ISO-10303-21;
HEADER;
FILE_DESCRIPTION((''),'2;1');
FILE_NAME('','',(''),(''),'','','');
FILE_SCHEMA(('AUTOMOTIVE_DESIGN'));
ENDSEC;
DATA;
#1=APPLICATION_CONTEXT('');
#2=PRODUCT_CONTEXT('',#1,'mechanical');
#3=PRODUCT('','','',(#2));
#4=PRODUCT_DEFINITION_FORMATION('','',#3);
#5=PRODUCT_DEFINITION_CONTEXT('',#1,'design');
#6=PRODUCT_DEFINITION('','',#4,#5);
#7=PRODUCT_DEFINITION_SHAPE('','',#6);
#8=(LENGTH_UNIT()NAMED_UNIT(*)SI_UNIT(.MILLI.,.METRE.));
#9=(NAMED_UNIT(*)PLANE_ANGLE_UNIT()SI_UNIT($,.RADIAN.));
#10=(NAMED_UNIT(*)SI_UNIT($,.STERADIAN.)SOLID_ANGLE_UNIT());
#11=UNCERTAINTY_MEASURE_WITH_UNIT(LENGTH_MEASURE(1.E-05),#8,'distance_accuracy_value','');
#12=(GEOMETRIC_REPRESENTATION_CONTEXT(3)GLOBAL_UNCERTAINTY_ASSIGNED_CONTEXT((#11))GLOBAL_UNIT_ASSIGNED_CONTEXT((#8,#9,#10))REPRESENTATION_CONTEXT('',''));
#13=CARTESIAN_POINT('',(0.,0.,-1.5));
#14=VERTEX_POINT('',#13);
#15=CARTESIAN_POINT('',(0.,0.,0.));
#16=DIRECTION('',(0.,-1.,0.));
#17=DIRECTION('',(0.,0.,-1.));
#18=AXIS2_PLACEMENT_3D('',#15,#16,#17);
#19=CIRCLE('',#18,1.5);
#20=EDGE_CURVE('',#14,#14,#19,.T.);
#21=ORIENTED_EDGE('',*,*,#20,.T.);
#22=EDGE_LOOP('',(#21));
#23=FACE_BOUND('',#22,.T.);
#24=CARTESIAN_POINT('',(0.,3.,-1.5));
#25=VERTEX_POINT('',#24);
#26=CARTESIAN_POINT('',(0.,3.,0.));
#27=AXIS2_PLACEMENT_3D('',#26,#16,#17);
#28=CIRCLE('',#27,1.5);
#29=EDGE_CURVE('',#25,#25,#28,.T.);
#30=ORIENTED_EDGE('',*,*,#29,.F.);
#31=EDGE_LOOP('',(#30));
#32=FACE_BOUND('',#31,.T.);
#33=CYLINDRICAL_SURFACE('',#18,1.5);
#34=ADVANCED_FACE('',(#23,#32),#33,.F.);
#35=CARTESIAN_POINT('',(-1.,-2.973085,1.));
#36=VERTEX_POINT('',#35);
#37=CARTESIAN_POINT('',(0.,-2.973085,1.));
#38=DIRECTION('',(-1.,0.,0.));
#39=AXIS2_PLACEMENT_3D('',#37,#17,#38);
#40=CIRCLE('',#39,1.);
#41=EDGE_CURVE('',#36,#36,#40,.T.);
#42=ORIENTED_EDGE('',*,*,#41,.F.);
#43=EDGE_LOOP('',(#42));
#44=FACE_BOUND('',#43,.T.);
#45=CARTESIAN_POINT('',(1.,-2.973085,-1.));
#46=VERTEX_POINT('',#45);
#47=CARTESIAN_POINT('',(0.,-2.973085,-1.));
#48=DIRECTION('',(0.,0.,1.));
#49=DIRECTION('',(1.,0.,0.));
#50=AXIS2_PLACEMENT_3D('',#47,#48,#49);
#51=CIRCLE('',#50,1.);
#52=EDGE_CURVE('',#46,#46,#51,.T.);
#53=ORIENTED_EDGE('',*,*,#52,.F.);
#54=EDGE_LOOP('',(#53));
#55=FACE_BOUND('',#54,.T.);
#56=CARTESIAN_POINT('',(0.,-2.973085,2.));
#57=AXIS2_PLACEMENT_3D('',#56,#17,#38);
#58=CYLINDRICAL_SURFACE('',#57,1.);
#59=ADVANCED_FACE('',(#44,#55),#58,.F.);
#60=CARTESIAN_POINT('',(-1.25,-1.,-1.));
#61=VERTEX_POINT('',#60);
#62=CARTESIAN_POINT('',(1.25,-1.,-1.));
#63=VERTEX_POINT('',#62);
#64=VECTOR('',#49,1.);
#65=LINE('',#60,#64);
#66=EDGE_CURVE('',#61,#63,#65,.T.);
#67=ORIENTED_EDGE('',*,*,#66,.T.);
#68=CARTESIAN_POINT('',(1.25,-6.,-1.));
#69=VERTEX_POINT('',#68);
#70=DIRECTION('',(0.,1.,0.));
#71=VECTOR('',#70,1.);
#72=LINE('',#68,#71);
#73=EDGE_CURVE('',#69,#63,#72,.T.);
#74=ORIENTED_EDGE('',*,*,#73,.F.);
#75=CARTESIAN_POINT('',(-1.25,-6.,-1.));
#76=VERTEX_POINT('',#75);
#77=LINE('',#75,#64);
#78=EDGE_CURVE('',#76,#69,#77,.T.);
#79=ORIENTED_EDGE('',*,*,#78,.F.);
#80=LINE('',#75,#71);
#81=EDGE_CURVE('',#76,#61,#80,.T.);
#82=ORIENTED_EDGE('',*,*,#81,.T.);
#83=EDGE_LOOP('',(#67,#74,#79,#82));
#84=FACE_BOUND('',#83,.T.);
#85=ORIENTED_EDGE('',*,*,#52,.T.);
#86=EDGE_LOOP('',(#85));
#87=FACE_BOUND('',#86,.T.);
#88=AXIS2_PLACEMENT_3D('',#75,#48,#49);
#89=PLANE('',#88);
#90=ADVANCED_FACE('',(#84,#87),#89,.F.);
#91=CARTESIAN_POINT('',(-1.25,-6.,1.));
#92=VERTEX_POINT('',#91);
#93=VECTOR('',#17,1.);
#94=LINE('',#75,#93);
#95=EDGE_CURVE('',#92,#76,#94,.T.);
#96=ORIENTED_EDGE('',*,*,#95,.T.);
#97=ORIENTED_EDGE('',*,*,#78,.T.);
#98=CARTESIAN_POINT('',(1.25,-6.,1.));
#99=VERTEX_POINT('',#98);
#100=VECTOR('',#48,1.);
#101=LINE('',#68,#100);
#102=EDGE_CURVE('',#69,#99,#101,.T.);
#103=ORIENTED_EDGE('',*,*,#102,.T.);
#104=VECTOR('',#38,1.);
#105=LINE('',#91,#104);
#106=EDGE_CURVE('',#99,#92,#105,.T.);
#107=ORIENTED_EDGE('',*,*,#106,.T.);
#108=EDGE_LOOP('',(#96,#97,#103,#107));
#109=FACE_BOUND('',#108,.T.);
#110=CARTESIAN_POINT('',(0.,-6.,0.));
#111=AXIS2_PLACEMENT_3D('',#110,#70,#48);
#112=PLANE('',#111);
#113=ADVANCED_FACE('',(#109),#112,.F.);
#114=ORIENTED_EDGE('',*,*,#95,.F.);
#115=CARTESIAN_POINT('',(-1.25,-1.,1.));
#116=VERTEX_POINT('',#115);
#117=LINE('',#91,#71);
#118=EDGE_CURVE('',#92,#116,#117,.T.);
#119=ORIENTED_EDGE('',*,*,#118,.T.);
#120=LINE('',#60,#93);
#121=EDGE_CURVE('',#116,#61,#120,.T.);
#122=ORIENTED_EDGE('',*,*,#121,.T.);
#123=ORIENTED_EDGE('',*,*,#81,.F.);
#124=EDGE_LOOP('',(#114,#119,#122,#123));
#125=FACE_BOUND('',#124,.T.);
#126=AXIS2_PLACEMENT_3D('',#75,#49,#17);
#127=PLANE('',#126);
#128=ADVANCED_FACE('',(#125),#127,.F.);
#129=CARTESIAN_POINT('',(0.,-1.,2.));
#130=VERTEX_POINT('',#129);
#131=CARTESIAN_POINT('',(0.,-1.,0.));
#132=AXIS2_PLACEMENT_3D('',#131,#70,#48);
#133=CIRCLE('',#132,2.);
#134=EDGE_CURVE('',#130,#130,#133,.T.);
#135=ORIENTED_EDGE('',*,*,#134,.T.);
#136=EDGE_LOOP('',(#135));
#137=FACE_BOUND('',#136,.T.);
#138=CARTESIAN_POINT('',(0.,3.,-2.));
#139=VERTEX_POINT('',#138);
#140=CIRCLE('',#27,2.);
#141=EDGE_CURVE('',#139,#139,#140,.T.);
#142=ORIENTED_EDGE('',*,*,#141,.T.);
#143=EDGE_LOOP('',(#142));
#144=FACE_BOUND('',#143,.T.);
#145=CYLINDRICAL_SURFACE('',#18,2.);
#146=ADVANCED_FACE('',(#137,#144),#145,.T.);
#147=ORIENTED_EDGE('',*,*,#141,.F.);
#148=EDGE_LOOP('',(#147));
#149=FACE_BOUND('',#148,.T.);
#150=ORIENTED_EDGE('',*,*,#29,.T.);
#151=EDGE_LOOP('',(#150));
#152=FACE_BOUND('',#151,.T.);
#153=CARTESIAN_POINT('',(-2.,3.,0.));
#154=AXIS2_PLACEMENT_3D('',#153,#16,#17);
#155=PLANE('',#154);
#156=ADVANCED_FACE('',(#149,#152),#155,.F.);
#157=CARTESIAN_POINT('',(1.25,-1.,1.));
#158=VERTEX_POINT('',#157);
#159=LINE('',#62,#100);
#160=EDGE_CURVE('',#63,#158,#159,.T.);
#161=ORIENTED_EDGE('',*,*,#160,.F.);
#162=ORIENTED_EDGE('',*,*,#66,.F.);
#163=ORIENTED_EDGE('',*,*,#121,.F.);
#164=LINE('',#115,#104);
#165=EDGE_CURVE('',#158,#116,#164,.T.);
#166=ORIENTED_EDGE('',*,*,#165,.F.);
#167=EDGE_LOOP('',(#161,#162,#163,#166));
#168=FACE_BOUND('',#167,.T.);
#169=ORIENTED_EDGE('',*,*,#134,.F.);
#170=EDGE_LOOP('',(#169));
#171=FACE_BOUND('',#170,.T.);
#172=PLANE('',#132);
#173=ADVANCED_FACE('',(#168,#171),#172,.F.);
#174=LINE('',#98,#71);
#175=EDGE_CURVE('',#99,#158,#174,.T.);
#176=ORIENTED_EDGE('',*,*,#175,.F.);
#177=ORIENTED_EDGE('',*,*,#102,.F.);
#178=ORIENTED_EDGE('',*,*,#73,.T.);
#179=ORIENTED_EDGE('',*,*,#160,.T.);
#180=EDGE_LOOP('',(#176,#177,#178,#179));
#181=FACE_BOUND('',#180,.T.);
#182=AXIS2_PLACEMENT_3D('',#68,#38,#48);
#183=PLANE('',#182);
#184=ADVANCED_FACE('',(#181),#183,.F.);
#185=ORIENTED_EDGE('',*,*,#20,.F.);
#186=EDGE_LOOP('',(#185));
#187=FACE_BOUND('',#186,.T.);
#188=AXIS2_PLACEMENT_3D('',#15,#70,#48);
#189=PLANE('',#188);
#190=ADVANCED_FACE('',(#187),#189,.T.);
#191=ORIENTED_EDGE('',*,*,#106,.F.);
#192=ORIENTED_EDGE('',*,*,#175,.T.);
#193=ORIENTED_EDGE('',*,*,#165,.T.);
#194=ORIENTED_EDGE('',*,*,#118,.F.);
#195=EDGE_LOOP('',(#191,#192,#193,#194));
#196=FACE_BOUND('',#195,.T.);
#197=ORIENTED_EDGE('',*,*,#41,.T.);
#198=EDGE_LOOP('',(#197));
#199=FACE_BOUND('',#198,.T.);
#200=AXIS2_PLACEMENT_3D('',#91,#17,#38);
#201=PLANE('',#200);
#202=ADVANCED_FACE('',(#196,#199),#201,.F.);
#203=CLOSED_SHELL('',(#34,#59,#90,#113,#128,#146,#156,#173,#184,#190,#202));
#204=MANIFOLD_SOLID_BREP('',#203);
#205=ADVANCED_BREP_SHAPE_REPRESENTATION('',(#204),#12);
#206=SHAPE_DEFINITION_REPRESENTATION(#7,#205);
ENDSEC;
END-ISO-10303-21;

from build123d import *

# Parameters (mm, degrees)
SKETCH1_W               = 0.5
SKETCH1_H               = 3
SKETCH2_R               = 2
BOSS_EXTRUDE1_DEPTH     = 1
SKETCH3_W               = 2.5
SKETCH3_H               = 2
BOSS_EXTRUDE2_DEPTH     = 5
SKETCH4_R               = 1
CUT_EXTRUDE1_DEPTH      = 3
CUT_EXTRUDE1_DEPTH_BACK = 3


with BuildPart() as part:
    # Sketch1 → Revolve1 (revolve)
    with BuildSketch(Plane.XY):
        with Locations((-1.75, 1.5)):
            Rectangle(SKETCH1_W, SKETCH1_H)
    revolve(axis=Axis((0, 0, 0), (0, 1, 0)))

    # Sketch2 → Boss-Extrude1 (add)
    with BuildSketch(Plane(origin=(0, 0, 0), x_dir=(1, 0, 0), z_dir=(0, 1, 0))):
        Circle(SKETCH2_R)
    extrude(amount=-BOSS_EXTRUDE1_DEPTH)

    # Sketch3 → Boss-Extrude2 (add)
    with BuildSketch(Plane.XZ.offset(1)):
        Rectangle(SKETCH3_W, SKETCH3_H)
    extrude(amount=BOSS_EXTRUDE2_DEPTH)

    # Sketch4 → Cut-Extrude1 (cut, two sides)
    with BuildSketch(Plane(origin=(0, 0, 0), x_dir=(-1, 0, 0), z_dir=(0, 0, -1))) as cut_extrude1_sk:
        with Locations((0, -2.973084611)):
            Circle(SKETCH4_R)
    extrude(amount=CUT_EXTRUDE1_DEPTH, mode=Mode.SUBTRACT)
    extrude(cut_extrude1_sk.sketch, amount=-CUT_EXTRUDE1_DEPTH_BACK, mode=Mode.SUBTRACT)


solid = part.part
